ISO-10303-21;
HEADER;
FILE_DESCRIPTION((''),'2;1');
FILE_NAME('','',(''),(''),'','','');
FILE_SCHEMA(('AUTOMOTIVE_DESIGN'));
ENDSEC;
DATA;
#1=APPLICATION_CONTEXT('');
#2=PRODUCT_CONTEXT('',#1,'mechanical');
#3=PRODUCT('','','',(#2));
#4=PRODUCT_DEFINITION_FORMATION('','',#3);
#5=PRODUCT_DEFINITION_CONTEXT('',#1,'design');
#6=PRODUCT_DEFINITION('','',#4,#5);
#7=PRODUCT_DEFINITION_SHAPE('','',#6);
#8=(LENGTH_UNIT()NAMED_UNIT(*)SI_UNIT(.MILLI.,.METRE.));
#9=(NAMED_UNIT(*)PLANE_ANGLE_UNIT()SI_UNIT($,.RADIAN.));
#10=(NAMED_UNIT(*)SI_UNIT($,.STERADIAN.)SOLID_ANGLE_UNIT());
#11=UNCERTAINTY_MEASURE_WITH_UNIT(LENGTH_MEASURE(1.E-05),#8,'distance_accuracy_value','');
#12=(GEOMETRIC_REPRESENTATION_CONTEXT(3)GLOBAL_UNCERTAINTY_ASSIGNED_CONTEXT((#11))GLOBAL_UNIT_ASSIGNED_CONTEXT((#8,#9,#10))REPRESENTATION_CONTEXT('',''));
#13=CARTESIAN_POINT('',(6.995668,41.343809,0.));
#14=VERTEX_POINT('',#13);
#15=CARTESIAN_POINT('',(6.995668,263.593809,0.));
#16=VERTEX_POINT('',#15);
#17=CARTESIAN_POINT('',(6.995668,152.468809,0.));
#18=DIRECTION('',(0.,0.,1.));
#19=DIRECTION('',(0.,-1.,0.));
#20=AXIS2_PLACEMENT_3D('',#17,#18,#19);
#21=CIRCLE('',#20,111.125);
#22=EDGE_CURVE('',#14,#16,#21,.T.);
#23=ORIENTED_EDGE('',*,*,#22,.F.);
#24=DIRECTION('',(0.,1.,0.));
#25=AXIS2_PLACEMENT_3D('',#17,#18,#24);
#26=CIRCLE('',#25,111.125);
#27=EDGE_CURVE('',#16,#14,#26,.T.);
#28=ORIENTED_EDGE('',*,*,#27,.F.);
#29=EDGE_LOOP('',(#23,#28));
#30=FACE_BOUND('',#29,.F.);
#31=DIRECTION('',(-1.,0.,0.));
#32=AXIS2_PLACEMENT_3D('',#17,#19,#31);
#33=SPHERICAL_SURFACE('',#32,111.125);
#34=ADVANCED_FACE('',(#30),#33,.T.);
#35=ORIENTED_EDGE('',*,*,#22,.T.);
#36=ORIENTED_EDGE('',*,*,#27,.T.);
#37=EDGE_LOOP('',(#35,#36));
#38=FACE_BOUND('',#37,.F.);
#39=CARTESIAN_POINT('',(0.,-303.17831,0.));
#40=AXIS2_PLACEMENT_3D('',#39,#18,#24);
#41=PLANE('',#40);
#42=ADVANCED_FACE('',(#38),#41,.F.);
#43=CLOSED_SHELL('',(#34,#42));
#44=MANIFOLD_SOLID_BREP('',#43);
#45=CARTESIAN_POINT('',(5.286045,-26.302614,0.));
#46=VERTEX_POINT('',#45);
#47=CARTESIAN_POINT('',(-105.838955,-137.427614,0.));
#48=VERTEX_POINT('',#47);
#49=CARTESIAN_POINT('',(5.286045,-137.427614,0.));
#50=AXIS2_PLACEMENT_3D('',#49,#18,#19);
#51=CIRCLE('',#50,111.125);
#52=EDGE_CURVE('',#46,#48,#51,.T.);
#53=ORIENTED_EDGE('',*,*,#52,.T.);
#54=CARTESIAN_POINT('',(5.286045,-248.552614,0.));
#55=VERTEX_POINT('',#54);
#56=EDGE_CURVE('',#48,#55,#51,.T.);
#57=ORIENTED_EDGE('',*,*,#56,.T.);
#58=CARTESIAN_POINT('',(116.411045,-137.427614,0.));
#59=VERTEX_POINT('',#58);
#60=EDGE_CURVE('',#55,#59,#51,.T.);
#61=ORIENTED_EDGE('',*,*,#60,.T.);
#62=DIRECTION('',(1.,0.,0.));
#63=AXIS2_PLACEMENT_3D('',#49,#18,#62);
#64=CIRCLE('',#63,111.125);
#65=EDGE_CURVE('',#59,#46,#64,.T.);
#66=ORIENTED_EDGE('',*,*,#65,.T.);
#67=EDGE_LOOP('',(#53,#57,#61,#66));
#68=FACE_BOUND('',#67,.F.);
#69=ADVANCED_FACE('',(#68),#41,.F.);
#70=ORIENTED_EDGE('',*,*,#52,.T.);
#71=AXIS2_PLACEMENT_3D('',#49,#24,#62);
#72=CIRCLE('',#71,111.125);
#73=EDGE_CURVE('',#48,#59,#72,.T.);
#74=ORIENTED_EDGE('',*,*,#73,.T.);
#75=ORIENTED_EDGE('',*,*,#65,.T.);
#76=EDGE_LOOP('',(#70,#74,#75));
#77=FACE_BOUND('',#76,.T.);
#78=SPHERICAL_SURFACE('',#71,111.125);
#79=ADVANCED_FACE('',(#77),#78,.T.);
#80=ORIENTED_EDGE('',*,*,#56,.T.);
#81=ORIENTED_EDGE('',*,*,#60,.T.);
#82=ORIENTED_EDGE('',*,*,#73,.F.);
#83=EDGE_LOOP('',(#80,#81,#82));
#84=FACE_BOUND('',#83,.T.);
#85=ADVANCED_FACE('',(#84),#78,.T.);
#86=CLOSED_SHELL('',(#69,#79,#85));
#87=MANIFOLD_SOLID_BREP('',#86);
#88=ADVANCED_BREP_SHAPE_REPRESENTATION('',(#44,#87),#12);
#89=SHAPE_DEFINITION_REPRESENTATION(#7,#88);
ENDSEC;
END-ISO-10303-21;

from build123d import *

# Parameters (mm, degrees)
F3_W          = 606.7284047604
F3_H          = 134.0230405331
F4_DEPTH      = 203.2
F4_DEPTH_BACK = 203.2


with BuildPart() as f1:
    # F0 (on Top) → F1 (revolve)
    with BuildSketch(Plane.XY):
        with BuildLine():
            ThreePointArc((116.4110448, -137.4276144), (83.8632858594, -58.8503733406), (5.2860448, -26.3026144))
            Line((5.2860448, -26.3026144), (5.2860448, -134.2526144))
            ThreePointArc((5.2860448, -134.2526144), (7.5311088303, -135.1825503697), (8.4610448, -137.4276144))
            ThreePointArc((8.4610448, -137.4276144), (7.5311088303, -139.6726784303), (5.2860448, -140.6026144))
            Line((5.2860448, -140.6026144), (5.2860448, -248.5526144))
            ThreePointArc((5.2860448, -248.5526144), (83.8632858594, -216.0048554594), (116.4110448, -137.4276144))
        make_face()
        with BuildLine():
            ThreePointArc((8.4610448, -137.4276144), (7.5311088303, -135.1825503697), (5.2860448, -134.2526144))
            Line((5.2860448, -134.2526144), (5.2860448, -140.6026144))
            ThreePointArc((5.2860448, -140.6026144), (7.5311088303, -139.6726784303), (8.4610448, -137.4276144))
        make_face()
    revolve(axis=Axis((5.2860448, -137.4276144, 0), (0, 1, 0)))


with BuildPart() as f2:
    # F0 (on Top) → F2 (revolve)
    with BuildSketch(Plane.XY):
        with BuildLine():
            Line((6.995668, 155.6438086), (6.995668, 263.5938086))
            ThreePointArc((6.995668, 263.5938086), (-104.129332, 152.4688086), (6.995668, 41.3438086))
            Line((6.995668, 41.3438086), (6.995668, 149.2938086))
            ThreePointArc((6.995668, 149.2938086), (4.7506039697, 150.2237445697), (3.820668, 152.4688086))
            ThreePointArc((3.820668, 152.4688086), (4.7506039697, 154.7138726303), (6.995668, 155.6438086))
        make_face()
        with BuildLine():
            Line((6.995668, 149.2938086), (6.995668, 155.6438086))
            ThreePointArc((6.995668, 155.6438086), (4.7506039697, 154.7138726303), (3.820668, 152.4688086))
            ThreePointArc((3.820668, 152.4688086), (4.7506039697, 150.2237445697), (6.995668, 149.2938086))
        make_face()
    revolve(axis=Axis((6.995668, 152.4688086, 0), (0, 1, 0)))


with BuildPart() as f4_tool:
    # F3 (on Right) → F4 (new body, two sides)
    with BuildSketch(Plane.YZ) as f4_sk:
        with Locations((0.1858919859, -67.0115202665)):
            Rectangle(F3_W, F3_H)
    extrude(amount=-F4_DEPTH)
    extrude(f4_sk.sketch, amount=F4_DEPTH_BACK)


with BuildPart() as f1_1:
    add(f1.part)

    # F4: cut by f4_tool
    add(f4_tool.part, mode=Mode.SUBTRACT)


with BuildPart() as f2_1:
    add(f2.part)

    # F4: cut by f4_tool
    add(f4_tool.part, mode=Mode.SUBTRACT)


solid = Compound([f1_1.part, f2_1.part])
